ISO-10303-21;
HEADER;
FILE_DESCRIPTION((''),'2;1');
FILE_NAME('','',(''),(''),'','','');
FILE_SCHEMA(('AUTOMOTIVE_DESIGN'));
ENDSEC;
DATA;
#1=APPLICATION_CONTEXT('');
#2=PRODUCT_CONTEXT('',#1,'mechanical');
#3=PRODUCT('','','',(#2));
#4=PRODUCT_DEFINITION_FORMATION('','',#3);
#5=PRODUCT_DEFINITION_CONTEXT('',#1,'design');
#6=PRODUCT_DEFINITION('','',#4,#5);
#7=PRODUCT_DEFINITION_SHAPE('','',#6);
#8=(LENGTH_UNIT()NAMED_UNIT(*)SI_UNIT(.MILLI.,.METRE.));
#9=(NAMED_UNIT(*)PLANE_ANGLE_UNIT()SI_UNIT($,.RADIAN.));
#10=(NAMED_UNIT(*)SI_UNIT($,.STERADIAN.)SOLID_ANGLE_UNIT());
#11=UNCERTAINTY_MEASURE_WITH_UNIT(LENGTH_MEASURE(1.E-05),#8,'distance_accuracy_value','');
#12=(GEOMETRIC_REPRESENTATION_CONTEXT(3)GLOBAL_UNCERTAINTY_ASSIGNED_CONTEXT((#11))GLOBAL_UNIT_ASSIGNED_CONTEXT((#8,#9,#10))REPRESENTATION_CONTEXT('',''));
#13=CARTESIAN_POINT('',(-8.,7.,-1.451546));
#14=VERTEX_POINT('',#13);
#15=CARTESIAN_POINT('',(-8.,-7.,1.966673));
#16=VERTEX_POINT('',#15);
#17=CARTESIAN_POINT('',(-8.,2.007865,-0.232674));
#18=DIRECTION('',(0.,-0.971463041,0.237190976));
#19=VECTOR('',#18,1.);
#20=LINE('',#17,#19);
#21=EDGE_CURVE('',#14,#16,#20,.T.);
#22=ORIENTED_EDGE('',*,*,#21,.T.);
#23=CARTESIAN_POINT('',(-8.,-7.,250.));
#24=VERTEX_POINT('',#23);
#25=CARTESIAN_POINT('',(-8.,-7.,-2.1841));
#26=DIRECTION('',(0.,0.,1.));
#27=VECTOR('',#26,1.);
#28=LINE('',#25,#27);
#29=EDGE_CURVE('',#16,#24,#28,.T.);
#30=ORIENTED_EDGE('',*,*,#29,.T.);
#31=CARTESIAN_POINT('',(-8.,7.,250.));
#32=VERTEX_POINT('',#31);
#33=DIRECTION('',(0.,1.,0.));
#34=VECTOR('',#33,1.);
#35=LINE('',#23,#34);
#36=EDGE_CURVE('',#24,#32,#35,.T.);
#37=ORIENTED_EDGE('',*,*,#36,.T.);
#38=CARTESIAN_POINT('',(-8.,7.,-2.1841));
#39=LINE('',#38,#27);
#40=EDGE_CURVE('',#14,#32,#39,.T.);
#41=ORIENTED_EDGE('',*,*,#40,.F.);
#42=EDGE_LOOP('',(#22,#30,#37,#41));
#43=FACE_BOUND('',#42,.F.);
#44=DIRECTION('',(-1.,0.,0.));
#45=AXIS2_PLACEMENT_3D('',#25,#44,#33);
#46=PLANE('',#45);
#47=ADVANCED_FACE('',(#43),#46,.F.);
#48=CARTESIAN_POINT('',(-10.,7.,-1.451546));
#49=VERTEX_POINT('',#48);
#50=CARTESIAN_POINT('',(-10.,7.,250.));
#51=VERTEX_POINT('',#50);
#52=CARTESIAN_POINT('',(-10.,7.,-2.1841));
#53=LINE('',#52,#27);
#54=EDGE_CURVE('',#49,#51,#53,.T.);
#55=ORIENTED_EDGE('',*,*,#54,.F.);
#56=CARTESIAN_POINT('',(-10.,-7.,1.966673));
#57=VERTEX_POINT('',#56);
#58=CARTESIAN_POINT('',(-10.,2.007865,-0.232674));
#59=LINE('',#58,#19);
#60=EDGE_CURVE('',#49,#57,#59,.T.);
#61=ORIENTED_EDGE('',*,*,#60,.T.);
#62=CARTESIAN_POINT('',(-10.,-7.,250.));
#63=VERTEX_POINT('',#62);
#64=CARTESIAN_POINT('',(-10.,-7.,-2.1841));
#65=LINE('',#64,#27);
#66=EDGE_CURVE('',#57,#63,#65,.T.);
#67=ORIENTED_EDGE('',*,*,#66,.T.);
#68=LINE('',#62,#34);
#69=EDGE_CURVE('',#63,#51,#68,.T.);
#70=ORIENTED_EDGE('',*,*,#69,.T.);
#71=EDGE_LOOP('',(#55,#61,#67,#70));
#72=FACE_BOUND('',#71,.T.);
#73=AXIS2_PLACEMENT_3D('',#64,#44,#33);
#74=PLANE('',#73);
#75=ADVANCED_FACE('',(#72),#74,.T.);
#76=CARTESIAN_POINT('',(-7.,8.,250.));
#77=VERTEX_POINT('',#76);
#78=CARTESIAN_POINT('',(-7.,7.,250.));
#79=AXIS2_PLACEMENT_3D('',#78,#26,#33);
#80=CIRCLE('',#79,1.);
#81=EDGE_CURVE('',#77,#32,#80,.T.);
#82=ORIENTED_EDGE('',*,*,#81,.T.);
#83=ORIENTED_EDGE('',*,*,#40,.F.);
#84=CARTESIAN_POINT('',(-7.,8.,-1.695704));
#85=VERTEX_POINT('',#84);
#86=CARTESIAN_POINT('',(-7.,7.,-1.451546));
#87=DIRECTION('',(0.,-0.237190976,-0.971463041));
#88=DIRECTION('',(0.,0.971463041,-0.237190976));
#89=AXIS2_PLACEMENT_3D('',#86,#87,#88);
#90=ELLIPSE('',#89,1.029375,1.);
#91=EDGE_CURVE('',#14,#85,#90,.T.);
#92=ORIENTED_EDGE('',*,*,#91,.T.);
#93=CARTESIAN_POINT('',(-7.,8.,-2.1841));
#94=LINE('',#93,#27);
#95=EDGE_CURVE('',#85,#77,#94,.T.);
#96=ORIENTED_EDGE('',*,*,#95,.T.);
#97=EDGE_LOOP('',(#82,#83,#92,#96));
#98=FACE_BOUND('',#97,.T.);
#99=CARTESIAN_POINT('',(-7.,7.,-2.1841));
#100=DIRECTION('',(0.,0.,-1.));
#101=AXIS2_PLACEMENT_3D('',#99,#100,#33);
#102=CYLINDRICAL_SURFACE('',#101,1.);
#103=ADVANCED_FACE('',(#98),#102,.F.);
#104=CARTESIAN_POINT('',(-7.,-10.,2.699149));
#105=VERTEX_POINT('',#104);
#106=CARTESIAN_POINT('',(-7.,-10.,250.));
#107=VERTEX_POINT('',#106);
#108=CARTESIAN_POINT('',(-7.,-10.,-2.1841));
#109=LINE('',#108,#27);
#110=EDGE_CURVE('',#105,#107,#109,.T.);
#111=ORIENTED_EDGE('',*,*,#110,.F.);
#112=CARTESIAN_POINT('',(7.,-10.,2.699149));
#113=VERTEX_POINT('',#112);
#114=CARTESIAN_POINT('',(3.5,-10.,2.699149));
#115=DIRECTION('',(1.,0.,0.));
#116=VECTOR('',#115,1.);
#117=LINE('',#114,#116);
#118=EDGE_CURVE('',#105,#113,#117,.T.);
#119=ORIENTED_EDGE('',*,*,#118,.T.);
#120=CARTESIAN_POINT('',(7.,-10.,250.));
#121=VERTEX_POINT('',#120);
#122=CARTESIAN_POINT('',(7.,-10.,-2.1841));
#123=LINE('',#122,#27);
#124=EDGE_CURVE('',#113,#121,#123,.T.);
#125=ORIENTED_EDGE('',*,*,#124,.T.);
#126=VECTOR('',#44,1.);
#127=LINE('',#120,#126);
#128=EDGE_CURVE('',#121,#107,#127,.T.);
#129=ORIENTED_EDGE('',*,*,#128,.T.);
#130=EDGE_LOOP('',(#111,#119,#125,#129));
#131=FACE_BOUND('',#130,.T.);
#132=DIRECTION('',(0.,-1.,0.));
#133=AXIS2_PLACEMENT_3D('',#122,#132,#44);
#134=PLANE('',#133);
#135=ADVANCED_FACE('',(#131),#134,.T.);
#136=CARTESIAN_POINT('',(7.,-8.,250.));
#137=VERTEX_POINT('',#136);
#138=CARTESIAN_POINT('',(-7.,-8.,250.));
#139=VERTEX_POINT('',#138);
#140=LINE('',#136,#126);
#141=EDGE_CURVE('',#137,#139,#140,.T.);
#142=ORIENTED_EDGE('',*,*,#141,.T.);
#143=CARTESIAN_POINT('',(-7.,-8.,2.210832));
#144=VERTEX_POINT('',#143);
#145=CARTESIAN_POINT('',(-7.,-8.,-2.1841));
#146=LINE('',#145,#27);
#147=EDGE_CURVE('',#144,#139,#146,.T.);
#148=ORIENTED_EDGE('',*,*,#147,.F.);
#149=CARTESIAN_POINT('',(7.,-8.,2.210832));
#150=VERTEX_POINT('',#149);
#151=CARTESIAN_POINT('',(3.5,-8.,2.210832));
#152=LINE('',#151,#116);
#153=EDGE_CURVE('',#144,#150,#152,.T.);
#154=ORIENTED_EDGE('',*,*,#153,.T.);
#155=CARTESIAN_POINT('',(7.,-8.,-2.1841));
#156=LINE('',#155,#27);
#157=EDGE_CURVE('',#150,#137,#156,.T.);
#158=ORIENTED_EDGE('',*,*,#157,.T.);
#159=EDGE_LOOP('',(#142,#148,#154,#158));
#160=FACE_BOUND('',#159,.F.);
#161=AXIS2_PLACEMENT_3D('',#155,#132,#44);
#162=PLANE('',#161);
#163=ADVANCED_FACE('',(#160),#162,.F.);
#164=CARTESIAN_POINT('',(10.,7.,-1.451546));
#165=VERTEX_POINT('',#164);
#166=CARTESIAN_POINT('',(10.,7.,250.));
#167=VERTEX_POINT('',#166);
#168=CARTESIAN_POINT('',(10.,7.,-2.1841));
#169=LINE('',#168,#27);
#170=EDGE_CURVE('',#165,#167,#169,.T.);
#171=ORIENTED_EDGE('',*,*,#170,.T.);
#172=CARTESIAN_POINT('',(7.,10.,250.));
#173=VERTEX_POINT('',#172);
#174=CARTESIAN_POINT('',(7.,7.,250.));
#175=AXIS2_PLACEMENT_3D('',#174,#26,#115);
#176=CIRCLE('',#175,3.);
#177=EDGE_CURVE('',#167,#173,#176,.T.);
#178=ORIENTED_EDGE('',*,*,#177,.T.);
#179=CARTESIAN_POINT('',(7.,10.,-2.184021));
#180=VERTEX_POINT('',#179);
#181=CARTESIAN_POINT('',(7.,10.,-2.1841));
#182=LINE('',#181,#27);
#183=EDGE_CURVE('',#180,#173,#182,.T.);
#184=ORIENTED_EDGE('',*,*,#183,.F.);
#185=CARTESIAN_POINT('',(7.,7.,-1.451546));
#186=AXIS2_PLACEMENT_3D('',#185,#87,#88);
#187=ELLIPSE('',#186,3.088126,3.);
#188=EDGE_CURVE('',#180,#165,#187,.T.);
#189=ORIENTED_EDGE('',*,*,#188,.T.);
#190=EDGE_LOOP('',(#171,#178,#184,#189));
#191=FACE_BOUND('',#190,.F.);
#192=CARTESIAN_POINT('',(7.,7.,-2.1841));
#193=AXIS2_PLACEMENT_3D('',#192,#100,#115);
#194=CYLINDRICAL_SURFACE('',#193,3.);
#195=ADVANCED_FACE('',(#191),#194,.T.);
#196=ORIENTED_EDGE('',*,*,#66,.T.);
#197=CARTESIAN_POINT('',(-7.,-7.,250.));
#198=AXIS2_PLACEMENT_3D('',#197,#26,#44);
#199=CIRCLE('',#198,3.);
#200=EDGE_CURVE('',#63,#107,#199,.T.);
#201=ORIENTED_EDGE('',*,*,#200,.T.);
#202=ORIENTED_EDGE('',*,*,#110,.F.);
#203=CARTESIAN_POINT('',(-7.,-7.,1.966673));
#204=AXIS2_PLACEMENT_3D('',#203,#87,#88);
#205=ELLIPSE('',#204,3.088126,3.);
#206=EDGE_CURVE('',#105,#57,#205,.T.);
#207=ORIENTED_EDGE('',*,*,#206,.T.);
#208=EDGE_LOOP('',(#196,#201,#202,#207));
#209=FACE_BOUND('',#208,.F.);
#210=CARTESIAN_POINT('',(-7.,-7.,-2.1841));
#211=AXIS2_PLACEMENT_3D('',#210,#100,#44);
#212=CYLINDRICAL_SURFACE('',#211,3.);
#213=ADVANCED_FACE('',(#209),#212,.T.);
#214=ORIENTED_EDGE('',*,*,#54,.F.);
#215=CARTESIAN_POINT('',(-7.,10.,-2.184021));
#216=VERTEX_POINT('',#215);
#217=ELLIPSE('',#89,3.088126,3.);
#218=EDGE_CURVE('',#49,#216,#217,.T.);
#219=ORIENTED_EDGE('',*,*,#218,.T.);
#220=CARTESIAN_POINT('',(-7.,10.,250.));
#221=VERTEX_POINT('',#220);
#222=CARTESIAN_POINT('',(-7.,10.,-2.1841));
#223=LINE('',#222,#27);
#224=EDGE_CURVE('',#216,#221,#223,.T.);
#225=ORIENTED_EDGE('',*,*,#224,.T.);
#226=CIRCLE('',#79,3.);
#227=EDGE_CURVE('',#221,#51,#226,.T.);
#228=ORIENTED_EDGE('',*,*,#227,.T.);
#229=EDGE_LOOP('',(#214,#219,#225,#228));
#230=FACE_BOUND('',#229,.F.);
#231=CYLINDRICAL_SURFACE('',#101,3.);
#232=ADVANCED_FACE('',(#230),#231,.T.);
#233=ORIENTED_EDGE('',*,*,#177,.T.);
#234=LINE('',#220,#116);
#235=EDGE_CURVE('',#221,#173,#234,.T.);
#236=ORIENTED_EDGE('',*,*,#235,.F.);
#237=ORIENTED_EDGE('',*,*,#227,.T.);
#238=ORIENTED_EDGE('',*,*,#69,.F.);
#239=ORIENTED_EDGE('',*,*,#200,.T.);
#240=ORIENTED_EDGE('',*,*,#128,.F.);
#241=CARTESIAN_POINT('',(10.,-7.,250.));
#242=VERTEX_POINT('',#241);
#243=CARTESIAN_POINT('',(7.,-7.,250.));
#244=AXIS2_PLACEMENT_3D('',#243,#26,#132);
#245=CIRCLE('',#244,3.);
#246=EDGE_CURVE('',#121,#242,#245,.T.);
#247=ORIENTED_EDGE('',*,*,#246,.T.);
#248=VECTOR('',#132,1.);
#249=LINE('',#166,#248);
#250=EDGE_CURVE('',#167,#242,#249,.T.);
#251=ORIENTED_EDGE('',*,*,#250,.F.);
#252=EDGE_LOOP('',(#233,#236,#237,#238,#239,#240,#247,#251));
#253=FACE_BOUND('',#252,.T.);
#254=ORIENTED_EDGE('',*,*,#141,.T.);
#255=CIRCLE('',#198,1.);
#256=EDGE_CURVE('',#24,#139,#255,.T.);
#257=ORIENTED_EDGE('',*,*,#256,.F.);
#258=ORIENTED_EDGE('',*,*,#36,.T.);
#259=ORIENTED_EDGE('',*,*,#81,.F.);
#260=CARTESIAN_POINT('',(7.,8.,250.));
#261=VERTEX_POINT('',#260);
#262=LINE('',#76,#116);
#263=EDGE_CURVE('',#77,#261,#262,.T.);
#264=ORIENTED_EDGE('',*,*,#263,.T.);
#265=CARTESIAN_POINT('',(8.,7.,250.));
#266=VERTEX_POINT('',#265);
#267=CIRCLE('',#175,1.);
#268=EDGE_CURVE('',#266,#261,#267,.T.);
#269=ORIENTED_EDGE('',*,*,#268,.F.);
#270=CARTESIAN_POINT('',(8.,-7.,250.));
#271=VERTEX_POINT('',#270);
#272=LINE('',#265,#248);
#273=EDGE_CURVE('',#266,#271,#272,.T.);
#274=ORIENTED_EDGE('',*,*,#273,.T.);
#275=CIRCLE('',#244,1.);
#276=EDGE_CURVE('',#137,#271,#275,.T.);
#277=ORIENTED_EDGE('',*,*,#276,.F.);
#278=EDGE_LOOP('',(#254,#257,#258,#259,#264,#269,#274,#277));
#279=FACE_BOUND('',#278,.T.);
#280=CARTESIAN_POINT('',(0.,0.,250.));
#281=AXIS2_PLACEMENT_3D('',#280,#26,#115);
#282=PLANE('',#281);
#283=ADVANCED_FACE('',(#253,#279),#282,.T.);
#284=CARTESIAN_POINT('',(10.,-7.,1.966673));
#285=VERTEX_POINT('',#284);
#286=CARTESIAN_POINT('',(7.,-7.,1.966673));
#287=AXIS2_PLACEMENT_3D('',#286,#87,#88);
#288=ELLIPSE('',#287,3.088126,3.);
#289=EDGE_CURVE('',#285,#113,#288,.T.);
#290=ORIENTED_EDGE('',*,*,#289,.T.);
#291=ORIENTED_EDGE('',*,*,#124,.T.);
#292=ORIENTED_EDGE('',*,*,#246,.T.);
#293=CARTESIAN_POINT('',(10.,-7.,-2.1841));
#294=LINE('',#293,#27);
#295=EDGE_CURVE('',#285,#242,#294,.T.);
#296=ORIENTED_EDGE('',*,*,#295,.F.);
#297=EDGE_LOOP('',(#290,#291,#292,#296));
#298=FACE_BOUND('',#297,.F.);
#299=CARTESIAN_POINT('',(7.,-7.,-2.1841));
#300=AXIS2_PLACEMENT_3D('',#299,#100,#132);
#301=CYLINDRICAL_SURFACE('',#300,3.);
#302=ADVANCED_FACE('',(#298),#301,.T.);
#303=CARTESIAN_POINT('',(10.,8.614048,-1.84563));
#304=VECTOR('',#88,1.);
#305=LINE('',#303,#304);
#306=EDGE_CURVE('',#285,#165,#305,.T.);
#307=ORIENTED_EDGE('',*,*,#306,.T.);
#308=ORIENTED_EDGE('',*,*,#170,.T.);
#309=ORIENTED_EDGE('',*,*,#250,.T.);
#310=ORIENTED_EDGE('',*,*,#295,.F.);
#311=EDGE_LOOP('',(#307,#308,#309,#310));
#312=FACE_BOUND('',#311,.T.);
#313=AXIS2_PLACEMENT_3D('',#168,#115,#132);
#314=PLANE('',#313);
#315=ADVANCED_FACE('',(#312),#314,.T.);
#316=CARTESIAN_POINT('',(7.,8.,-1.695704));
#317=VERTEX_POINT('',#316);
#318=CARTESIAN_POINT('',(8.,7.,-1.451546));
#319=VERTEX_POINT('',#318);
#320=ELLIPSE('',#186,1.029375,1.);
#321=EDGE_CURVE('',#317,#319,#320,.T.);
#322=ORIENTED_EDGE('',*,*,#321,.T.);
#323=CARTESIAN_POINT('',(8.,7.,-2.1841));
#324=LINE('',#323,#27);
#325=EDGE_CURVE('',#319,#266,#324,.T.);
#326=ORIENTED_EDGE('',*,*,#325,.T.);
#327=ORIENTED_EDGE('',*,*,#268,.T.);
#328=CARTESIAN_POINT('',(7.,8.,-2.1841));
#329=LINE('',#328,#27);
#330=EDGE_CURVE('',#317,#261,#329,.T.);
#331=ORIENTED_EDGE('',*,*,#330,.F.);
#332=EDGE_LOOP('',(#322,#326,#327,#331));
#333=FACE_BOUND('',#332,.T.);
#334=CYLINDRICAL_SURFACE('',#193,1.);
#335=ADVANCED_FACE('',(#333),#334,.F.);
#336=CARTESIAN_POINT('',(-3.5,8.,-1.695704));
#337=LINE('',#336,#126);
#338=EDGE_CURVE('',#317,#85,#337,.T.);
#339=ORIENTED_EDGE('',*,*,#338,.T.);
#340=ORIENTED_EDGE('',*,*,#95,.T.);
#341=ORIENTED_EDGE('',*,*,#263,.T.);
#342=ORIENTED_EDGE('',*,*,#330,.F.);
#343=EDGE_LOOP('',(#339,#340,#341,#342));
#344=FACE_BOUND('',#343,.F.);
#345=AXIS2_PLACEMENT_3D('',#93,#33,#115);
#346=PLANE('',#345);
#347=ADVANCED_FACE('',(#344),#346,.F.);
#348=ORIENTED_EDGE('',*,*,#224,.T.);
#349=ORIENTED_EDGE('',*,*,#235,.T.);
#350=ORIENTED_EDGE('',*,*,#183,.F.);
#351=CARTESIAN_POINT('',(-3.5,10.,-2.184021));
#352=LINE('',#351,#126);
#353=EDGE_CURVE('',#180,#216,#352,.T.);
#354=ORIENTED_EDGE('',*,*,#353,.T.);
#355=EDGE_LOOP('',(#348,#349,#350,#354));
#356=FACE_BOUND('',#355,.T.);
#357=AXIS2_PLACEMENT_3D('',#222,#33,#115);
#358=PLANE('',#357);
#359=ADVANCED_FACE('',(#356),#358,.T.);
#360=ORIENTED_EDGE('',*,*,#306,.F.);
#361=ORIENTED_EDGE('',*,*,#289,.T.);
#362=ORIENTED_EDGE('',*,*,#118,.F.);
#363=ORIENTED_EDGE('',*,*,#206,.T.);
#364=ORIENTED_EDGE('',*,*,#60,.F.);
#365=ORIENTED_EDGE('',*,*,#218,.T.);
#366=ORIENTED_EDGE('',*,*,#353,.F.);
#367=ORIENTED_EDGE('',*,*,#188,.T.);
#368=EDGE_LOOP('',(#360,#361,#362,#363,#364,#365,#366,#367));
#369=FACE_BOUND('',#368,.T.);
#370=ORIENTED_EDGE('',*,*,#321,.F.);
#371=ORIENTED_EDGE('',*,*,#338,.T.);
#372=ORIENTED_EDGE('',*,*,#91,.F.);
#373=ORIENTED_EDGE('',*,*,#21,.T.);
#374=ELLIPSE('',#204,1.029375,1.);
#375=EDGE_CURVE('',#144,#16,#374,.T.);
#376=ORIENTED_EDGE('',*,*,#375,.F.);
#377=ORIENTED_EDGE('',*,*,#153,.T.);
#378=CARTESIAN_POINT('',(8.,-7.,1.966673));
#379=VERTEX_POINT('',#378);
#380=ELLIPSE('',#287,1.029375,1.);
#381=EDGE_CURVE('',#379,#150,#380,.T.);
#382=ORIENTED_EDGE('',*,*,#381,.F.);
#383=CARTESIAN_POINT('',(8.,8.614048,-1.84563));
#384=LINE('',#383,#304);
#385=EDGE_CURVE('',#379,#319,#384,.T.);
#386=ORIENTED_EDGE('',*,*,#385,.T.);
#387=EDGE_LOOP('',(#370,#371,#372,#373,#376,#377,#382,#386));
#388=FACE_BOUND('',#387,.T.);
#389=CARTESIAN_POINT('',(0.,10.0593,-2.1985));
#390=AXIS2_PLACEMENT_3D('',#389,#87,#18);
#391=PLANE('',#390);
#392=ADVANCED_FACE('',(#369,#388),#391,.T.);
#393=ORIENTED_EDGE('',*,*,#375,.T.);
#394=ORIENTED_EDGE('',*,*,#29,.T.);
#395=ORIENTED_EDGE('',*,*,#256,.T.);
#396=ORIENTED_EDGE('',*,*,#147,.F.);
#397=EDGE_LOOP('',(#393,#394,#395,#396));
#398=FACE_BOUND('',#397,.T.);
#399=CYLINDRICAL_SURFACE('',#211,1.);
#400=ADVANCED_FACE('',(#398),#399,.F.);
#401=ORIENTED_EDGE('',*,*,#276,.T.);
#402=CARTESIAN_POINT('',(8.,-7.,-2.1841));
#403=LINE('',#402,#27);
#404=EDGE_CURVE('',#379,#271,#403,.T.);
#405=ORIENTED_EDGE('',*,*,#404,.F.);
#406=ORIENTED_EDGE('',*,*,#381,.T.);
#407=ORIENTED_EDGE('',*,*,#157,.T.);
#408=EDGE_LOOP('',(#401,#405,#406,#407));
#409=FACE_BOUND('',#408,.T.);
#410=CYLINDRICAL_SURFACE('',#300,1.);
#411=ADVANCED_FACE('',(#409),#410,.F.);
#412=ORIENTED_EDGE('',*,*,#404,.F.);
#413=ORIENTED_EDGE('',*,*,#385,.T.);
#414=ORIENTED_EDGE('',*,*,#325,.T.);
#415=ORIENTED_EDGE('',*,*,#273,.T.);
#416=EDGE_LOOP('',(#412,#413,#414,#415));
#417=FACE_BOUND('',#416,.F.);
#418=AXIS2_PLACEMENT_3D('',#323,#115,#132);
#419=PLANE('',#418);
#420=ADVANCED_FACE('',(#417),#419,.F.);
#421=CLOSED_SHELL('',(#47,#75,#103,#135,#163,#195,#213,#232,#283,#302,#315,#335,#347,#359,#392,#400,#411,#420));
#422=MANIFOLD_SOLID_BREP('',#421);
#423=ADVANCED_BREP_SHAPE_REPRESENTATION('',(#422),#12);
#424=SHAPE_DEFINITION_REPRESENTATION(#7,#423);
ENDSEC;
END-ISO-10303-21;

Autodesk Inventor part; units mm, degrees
ref_plane "Start Plane" through (0, 0, -2.1841) normal (0, 0, 1) x (1, 0, 0)
ref_plane "End Plane" through (0, 0, 250) normal (0, 0, 1) x (1, 0, 0)
sketch "Sketch" plane through (0, 0, 0) normal (0, 0, 1) x (1, 0, 0)
  line L0 (-10, -7) -> (-10, 7)
  line L1 (-7, 10) -> (7, 10)
  line L2 (10, 7) -> (10, -7)
  line L3 (7, -10) -> (-7, -10)
  arc A0 (-10, -7) -> (-7, -10) centre (-7, -7) ccw
  arc A1 (-7, 10) -> (-10, 7) centre (-7, 7) ccw
  arc A2 (10, 7) -> (7, 10) centre (7, 7) ccw
  arc A3 (7, -10) -> (10, -7) centre (7, -7) ccw
  arc A4 (-7, 8) -> (-8, 7) centre (-7, 7) ccw
  line L4 (-7, 8) -> (7, 8)
  arc A5 (8, 7) -> (7, 8) centre (7, 7) ccw
  line L5 (8, 7) -> (8, -7)
  arc A6 (7, -8) -> (8, -7) centre (7, -7) ccw
  line L6 (7, -8) -> (-7, -8)
  arc A7 (-8, -7) -> (-7, -8) centre (-7, -7) ccw
  line L7 (-8, -7) -> (-8, 7)
  line L8 (0, 14.8698) -> (0, -14.8698) construction
  line L9 (-14.8698, 0) -> (14.8698, 0) construction
  dimension "d7" = 3
  dimension "d10" = 20
  dimension "d11" = 20
  dimension "d12" = 2
  dimension "d15" = 10
  dimension "d16" = 10
extrude "Body" add sketch "Sketch" along normal up to surface (252.1841 mm away) from surface at -2.1841
sketch "Sketch3" plane through (0, 0, 0) normal (0, 0, 1) x (1, 0, 0)
  line L0 (0, 0) -> (10, 0)
ref_plane "Work Plane3" through (0, 0, 0) normal (0, -1, 0) x (1, 0, 0)
sketch "Sketch4" plane through (0, 0, 0) normal (0, -1, 0) x (1, 0, 0)
  line L0 (-2, -2.1841) -> (12, -2.1841)
  line L1 (-2, 250) -> (12, 250)
  dimension "d18" = 252.1841
ref_plane "Work Plane4" through (0, 10.0593, -2.1985) normal (0, -0.2372, -0.9715) x (1, 0, 0)
split "Split1" plane through (0, 10.0593, -2.1985) removes the side toward (0, -0.2372, -0.9715)
equation "\"d7\" = G_IR"
equation "\"d10\" = G_H"
equation "\"d11\" = G_W"
equation "\"d12\" = G_T"
equation "\"d15\" = 0.5 * d10"
equation "\"d16\" = 0.5 * d11"
equation "\"d3\" = G_L"
equation "\"G_W\" = 20"
equation "\"G_H\" = 20"
equation "\"G_T\" = 2"
equation "\"G_IR\" = 3"
equation "\"G_L\" = d18"
equation "\"G_OFFSET_START\" = 2.18407"
equation "\"G_OFFSET_END\" = 0"
equation "\"d13\" = -G_OFFSET_START"
properties part number "ISO 12633-2 - 20x20x2 - 252.18" material "Steel, Mild"
